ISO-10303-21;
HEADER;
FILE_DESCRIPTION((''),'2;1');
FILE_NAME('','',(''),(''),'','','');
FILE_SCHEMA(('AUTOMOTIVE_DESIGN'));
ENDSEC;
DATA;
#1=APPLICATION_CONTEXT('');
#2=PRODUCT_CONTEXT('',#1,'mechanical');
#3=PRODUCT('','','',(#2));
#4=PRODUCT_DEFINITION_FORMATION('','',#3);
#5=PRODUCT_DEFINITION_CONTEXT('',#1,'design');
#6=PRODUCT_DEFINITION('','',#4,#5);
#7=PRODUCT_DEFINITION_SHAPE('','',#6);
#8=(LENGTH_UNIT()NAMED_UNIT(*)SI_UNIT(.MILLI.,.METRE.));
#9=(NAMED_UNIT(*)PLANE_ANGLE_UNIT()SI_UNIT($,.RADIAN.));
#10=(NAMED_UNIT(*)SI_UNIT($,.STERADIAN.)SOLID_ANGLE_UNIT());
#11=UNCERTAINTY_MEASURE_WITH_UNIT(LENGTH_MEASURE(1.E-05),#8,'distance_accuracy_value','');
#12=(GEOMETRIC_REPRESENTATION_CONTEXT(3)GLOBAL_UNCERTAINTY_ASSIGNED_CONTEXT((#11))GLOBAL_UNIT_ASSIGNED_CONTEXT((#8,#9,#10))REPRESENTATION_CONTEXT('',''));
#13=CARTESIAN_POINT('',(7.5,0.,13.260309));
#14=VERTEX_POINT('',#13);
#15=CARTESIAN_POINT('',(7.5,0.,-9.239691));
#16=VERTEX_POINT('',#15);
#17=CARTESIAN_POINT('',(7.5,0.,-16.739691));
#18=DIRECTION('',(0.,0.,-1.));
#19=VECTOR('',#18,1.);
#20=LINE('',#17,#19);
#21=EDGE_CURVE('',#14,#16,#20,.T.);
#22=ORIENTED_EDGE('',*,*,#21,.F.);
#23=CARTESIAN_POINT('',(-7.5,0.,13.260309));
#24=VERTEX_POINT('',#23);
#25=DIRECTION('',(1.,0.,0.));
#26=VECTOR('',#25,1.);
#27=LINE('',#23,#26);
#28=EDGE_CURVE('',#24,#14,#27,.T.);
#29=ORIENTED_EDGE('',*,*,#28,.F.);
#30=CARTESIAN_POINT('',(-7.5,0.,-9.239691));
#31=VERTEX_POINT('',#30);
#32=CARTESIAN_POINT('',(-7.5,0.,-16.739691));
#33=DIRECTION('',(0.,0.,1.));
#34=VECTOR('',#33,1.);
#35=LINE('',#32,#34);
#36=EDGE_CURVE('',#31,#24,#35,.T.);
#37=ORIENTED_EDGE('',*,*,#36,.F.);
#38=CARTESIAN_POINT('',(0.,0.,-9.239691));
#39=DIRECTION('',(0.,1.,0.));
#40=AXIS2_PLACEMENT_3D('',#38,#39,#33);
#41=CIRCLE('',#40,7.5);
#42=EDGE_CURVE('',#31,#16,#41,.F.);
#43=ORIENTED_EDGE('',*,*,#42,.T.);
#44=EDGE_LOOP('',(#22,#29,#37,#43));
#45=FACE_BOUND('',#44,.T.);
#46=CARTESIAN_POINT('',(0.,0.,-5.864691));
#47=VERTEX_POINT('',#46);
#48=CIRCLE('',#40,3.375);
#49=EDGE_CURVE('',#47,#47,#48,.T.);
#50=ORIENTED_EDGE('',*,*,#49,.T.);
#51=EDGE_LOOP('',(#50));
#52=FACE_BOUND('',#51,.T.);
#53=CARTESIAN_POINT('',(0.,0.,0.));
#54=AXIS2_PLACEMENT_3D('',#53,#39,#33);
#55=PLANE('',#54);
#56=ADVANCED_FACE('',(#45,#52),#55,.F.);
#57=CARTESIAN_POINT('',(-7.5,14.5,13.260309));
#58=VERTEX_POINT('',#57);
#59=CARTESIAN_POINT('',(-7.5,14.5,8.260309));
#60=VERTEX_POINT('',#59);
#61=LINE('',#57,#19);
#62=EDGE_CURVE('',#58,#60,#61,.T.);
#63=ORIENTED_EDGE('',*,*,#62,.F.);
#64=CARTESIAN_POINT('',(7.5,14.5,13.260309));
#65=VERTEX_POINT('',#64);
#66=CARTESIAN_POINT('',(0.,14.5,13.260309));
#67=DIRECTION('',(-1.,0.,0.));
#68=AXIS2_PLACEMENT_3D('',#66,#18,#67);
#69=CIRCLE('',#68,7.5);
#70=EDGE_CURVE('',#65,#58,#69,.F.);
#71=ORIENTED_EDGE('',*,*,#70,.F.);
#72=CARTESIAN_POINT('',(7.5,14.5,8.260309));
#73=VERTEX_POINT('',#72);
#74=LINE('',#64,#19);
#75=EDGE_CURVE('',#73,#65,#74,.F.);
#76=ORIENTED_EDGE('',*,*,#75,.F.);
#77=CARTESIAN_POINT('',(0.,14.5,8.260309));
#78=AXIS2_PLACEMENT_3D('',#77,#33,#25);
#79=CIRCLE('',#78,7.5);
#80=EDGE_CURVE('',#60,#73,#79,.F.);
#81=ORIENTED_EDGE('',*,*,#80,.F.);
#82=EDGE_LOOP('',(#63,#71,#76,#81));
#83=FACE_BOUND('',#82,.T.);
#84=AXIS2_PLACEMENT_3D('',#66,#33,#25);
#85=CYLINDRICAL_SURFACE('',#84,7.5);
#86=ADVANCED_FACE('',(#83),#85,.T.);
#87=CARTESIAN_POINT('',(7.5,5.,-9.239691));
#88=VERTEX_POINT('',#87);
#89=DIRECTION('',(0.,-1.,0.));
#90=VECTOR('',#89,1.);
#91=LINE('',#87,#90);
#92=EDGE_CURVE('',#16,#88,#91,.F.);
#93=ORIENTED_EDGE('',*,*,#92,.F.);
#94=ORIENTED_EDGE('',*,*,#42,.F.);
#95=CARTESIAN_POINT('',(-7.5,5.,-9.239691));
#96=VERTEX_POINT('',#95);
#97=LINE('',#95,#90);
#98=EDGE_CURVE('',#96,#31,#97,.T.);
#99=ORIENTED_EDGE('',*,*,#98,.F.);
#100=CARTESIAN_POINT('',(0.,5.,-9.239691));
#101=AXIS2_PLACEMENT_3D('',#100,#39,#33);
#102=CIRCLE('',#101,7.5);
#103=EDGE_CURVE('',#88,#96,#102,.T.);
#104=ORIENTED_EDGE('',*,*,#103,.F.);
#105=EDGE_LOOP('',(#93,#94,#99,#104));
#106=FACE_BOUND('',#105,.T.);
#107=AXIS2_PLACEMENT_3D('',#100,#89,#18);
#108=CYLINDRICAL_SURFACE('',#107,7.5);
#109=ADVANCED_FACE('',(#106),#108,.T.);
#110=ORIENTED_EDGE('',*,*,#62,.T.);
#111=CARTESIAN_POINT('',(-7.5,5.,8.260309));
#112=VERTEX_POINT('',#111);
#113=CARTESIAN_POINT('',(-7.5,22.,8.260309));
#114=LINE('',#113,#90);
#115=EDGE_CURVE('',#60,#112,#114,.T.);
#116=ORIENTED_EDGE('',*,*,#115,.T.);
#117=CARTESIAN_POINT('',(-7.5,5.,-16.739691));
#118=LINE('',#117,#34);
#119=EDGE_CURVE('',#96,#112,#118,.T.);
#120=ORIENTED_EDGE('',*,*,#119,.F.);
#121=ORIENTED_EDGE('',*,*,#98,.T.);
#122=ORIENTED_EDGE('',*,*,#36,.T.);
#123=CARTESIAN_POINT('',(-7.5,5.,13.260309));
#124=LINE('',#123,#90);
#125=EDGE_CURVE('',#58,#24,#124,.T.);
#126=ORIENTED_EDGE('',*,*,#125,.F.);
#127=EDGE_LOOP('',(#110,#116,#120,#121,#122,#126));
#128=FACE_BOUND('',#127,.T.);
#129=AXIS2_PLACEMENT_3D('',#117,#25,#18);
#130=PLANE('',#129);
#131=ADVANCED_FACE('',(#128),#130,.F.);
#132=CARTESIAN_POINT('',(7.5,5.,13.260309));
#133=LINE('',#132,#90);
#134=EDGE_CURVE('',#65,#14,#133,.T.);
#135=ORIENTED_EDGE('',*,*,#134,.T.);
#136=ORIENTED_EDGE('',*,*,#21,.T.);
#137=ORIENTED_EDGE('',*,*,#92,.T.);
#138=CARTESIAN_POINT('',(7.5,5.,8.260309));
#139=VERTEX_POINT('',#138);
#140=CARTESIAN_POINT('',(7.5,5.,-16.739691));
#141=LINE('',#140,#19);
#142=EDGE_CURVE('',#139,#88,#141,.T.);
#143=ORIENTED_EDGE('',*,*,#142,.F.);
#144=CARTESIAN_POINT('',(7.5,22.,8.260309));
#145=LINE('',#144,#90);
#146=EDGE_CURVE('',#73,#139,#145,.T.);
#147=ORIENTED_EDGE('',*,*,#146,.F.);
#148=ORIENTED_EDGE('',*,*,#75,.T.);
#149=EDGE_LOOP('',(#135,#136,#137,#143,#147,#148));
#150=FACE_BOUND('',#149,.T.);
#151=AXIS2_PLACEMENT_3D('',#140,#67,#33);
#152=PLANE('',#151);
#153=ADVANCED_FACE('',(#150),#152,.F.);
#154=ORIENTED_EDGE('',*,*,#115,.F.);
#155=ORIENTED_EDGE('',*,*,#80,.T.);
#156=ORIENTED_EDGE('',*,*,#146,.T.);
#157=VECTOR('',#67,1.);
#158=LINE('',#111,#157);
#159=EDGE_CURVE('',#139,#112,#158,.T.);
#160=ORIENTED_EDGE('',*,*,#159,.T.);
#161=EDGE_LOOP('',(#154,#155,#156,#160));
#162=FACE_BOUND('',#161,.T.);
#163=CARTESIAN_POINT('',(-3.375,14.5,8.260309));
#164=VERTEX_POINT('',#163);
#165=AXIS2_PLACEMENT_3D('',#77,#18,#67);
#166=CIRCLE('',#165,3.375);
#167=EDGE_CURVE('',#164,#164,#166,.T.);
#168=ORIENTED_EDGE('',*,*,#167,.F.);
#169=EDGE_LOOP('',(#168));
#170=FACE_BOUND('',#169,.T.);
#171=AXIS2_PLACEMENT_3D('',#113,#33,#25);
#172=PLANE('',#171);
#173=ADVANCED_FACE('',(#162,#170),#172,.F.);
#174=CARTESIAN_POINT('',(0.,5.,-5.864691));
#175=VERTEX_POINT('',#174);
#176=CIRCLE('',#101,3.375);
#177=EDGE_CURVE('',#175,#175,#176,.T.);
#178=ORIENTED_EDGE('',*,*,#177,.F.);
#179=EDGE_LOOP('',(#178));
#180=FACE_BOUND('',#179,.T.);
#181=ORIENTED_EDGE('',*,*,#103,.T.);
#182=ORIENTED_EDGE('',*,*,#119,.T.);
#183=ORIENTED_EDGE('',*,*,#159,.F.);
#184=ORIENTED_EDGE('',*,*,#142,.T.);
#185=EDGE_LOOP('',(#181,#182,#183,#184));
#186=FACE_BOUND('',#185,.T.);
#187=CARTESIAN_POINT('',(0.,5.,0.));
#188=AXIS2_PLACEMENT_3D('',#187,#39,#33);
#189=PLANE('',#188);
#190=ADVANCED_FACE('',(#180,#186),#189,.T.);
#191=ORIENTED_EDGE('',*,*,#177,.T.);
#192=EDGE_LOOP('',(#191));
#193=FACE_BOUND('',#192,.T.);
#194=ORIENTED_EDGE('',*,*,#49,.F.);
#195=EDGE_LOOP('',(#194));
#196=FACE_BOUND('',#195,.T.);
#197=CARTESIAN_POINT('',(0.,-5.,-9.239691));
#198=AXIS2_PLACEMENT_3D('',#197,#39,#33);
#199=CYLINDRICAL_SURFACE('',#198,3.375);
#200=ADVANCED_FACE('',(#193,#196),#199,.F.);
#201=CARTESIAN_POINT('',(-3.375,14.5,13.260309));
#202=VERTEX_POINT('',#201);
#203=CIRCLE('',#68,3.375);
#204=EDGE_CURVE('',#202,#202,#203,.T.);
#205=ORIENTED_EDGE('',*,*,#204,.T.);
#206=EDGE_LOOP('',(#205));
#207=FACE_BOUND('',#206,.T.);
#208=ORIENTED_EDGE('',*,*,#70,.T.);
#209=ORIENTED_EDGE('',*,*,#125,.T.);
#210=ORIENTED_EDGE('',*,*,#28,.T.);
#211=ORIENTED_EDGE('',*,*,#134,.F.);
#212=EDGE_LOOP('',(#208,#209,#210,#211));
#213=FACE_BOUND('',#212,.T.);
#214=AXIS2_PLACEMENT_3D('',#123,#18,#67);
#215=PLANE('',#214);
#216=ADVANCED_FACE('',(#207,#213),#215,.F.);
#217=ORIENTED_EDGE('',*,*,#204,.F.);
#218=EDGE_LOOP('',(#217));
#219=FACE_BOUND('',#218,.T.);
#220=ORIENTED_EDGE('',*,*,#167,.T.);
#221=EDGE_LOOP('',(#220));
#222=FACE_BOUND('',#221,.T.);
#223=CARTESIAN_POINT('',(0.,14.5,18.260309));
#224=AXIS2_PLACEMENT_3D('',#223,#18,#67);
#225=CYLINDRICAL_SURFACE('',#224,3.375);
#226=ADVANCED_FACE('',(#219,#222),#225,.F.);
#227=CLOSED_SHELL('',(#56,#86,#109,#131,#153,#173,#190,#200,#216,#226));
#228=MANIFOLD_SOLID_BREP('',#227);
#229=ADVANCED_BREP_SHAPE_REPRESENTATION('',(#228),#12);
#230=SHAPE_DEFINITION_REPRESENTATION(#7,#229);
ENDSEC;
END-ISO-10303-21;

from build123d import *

# Parameters (mm, degrees)
ESQUISSE1_W             = 15
ESQUISSE1_H             = 30
BOSS_EXTRU_1_DEPTH      = 5
ESQUISSE2_W             = 15
ESQUISSE2_H             = 5
BOSS_EXTRU_2_DEPTH      = 17
CONG_1_RADIUS           = 7.5
CONG_1_LENGTH           = 5
CONG_3_RADIUS           = 7.5
CONG_3_LENGTH           = 5
ESQUISSE3_R             = 3.375
ENL_V_MAT_EXTRU_1_DEPTH = 10
ESQUISSE4_R             = 3.375
ENL_V_MAT_EXTRU_2_DEPTH = 10


with BuildPart() as part:
    # Esquisse1 → Boss.-Extru.1 (new body)
    with BuildSketch(Plane(origin=(0, 0, 0), x_dir=(1, 0, 0), z_dir=(0, 1, 0))):
        with Locations((0, 1.739690722)):
            Rectangle(ESQUISSE1_W, ESQUISSE1_H)
    extrude(amount=BOSS_EXTRU_1_DEPTH)

    # Esquisse2 → Boss.-Extru.2 (add)
    with BuildSketch(Plane(origin=(0, 5, 0), x_dir=(1, 0, 0), z_dir=(0, 1, 0))):
        with Locations((0, -10.760309278)):
            Rectangle(ESQUISSE2_W, ESQUISSE2_H)
    extrude(amount=BOSS_EXTRU_2_DEPTH)

    # Congé1: full round fillet: the end face becomes a half cylinder, R = half its width
    cong_1_face = Plane((0, 2.5, -16.739690722), x_dir=(0, 1, 0), z_dir=(0, 0, -1))  # on the end face: x along it, z out of the body
    cong_1_slab = cong_1_face.offset(-CONG_1_RADIUS / 2) * Box(CONG_1_LENGTH, 2 * CONG_1_RADIUS, CONG_1_RADIUS, mode=Mode.PRIVATE)  # the body's end, R deep
    cong_1_round = Plane((0, 2.5, -9.239690722), x_dir=(0, 0, -1), z_dir=(0, 1, 0)) * Cylinder(CONG_1_RADIUS, CONG_1_LENGTH, mode=Mode.PRIVATE)  # its axis R under the face
    add(cong_1_slab - cong_1_round, mode=Mode.SUBTRACT)

    # Congé3: full round fillet: the end face becomes a half cylinder, R = half its width
    cong_3_face = Plane((0, 22, 10.760309278), x_dir=(0, 0, -1), z_dir=(0, 1, 0))  # on the end face: x along it, z out of the body
    cong_3_slab = cong_3_face.offset(-CONG_3_RADIUS / 2) * Box(CONG_3_LENGTH, 2 * CONG_3_RADIUS, CONG_3_RADIUS, mode=Mode.PRIVATE)  # the body's end, R deep
    cong_3_round = Plane((0, 14.5, 10.760309278), x_dir=(0, 1, 0), z_dir=(0, 0, -1)) * Cylinder(CONG_3_RADIUS, CONG_3_LENGTH, mode=Mode.PRIVATE)  # its axis R under the face
    add(cong_3_slab - cong_3_round, mode=Mode.SUBTRACT)

    # Esquisse3 → Enlèv. mat.-Extru.1 (cut)
    with BuildSketch(Plane(origin=(0, 5, 0), x_dir=(1, 0, 0), z_dir=(0, 1, 0))):
        with Locations(Location((0, 9.239690722, 0), (0, 0, 270))):
            Circle(ESQUISSE3_R)
    extrude(amount=-ENL_V_MAT_EXTRU_1_DEPTH, mode=Mode.SUBTRACT)

    # Esquisse4 → Enlèv. mat.-Extru.2 (cut)
    with BuildSketch(Plane(origin=(0, 0, 8.260309278), x_dir=(-1, 0, 0), z_dir=(0, 0, -1))):
        with Locations((0, 14.5)):
            Circle(ESQUISSE4_R)
    extrude(amount=-ENL_V_MAT_EXTRU_2_DEPTH, mode=Mode.SUBTRACT)


solid = part.part
